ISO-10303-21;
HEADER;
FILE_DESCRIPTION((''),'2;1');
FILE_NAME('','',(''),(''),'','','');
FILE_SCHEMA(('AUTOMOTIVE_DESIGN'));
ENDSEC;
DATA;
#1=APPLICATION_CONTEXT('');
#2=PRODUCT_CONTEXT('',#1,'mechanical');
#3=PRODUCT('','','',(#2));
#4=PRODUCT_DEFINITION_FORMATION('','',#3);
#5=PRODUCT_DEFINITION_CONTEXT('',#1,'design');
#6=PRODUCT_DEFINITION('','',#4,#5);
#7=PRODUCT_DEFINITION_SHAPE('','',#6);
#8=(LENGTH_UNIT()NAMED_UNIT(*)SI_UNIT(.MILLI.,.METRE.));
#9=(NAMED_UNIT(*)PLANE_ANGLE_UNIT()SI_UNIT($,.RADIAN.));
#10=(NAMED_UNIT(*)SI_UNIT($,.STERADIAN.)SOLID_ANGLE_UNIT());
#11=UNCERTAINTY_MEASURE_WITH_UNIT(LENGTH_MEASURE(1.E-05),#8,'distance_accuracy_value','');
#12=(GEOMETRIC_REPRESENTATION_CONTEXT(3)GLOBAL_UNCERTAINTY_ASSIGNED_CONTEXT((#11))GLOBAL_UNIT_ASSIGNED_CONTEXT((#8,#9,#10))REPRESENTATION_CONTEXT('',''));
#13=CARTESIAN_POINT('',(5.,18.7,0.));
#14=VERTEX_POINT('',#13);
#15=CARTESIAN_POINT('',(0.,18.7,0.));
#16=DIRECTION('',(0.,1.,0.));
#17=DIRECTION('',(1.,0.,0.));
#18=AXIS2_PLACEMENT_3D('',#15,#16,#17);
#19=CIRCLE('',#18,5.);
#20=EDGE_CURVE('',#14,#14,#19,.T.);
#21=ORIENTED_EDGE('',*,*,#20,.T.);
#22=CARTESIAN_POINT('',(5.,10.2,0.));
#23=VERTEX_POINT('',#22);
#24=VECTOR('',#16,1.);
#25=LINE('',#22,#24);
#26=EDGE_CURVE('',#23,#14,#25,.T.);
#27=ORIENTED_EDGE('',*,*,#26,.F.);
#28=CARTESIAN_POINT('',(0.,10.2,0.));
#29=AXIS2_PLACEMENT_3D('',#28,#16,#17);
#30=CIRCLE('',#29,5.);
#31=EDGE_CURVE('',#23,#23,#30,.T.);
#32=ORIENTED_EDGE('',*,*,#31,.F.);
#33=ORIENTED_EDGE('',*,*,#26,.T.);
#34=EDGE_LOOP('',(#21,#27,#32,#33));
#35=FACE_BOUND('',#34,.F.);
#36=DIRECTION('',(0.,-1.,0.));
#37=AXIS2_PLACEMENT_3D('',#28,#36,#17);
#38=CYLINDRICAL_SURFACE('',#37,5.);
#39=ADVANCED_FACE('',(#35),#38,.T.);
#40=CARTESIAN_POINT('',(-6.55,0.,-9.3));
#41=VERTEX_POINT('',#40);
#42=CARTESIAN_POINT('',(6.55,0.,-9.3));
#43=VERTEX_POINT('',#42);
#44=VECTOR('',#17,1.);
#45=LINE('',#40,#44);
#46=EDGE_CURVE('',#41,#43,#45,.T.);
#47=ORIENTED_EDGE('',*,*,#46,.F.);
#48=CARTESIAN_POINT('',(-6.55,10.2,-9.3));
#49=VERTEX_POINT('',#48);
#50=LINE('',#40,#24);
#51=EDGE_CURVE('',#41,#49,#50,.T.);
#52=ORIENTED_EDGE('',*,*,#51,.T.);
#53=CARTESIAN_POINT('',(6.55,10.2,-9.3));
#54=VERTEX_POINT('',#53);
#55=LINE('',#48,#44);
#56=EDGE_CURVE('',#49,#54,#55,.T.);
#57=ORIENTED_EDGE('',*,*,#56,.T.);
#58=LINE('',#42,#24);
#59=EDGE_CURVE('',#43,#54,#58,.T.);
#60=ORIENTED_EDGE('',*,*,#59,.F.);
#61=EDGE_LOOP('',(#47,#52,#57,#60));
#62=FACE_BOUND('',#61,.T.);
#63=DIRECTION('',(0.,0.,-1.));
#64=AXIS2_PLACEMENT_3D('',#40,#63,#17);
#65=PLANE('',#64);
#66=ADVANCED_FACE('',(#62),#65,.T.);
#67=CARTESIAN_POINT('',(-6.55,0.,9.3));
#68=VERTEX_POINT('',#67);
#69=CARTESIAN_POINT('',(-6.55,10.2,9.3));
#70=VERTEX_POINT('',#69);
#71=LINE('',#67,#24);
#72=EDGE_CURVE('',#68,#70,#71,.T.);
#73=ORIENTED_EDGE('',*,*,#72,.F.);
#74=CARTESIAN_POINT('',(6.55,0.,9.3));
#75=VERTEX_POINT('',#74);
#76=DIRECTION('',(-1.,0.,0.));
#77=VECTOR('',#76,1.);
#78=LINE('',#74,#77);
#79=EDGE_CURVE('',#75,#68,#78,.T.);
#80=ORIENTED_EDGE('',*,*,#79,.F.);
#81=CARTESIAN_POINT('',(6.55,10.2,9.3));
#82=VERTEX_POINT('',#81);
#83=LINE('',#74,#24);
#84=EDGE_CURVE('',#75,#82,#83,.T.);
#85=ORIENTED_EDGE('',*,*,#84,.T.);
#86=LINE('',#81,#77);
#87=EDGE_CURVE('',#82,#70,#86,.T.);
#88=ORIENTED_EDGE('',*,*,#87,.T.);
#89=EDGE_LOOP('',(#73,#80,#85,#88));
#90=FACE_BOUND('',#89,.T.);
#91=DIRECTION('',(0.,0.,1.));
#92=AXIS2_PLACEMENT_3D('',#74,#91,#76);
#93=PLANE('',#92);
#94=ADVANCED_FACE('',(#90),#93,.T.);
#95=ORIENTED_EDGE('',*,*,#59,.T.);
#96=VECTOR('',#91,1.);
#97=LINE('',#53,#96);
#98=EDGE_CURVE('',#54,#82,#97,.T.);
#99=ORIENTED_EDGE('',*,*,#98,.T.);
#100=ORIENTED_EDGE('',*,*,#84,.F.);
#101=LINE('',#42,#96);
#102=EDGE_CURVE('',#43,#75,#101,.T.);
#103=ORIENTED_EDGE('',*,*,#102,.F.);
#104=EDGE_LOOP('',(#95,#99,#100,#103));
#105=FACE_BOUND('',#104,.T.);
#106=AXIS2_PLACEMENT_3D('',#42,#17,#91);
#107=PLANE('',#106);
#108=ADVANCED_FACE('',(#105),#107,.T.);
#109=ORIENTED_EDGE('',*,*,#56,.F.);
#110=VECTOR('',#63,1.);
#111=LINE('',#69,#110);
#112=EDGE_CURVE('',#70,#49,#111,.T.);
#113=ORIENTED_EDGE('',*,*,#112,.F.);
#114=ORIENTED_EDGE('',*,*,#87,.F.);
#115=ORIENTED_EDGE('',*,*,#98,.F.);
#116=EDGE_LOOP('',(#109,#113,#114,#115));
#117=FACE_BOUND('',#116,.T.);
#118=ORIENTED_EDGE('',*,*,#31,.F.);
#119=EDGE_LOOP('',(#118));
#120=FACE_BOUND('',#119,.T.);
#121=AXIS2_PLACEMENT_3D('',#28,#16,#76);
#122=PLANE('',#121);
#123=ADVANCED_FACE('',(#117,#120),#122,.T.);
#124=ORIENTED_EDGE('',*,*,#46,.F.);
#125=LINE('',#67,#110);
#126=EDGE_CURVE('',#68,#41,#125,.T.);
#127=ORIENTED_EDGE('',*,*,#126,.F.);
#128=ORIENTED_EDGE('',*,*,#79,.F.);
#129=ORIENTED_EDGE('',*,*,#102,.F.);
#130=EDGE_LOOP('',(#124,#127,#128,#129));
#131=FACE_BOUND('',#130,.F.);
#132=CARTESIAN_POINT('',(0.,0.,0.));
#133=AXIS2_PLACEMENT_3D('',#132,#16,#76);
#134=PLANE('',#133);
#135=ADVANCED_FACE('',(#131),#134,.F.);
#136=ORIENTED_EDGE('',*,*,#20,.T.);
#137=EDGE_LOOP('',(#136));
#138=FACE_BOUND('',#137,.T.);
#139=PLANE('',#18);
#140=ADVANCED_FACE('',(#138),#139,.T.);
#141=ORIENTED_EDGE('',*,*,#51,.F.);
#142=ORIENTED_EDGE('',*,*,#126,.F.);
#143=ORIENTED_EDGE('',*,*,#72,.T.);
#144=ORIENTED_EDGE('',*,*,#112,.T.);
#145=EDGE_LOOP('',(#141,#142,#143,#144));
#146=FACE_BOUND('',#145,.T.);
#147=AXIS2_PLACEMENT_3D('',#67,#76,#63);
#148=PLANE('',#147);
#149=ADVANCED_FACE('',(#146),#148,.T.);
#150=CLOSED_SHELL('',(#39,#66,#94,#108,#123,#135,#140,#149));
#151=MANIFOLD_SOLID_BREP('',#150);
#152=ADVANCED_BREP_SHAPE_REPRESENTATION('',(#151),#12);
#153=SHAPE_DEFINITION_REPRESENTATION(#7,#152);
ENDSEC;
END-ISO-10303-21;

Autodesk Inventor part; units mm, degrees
ref_plane "YZ Plane" through (0, 0, 0) normal (1, 0, 0) x (0, 1, 0)
ref_plane "XZ Plane" through (0, 0, 0) normal (0, 1, 0) x (-1, 0, 0)
ref_plane "XY Plane" through (0, 0, 0) normal (0, 0, 1) x (1, 0, 0)
sketch "Sketch1" plane through (0, 0, 0) normal (0, 1, 0) x (-1, 0, 0)
  line L0 (-6.55, 9.3) -> (6.55, 9.3)
  line L1 (6.55, 9.3) -> (6.55, -9.3)
  line L2 (6.55, -9.3) -> (-6.55, -9.3)
  line L3 (-6.55, -9.3) -> (-6.55, 9.3)
  line L4 (0, 0) -> (1, 0)
  line L5 (0, 0) -> (0, -1)
  dimension "d0" = 18.6
  dimension "d1" = 13.1
  dimension "d2" = 1
  dimension "d3" = 1
extrude "Extrusion1" add sketch "Sketch1" along normal blind 10.2
sketch "Sketch2" plane through (0, 10.2, 0) normal (0, 1, 0) x (1, 0, 0)
  circle A0 centre (0, 0) radius 5
  dimension "d6" = 10
extrude "Extrusion2" add sketch "Sketch2" along normal blind 8.5
sketch "Sketch3" plane through (6.55, 0, 9.3) normal (1, 0, 0) x (0, 0, -1)
  point P0 (9.3, 0)
properties part number "Camera"
